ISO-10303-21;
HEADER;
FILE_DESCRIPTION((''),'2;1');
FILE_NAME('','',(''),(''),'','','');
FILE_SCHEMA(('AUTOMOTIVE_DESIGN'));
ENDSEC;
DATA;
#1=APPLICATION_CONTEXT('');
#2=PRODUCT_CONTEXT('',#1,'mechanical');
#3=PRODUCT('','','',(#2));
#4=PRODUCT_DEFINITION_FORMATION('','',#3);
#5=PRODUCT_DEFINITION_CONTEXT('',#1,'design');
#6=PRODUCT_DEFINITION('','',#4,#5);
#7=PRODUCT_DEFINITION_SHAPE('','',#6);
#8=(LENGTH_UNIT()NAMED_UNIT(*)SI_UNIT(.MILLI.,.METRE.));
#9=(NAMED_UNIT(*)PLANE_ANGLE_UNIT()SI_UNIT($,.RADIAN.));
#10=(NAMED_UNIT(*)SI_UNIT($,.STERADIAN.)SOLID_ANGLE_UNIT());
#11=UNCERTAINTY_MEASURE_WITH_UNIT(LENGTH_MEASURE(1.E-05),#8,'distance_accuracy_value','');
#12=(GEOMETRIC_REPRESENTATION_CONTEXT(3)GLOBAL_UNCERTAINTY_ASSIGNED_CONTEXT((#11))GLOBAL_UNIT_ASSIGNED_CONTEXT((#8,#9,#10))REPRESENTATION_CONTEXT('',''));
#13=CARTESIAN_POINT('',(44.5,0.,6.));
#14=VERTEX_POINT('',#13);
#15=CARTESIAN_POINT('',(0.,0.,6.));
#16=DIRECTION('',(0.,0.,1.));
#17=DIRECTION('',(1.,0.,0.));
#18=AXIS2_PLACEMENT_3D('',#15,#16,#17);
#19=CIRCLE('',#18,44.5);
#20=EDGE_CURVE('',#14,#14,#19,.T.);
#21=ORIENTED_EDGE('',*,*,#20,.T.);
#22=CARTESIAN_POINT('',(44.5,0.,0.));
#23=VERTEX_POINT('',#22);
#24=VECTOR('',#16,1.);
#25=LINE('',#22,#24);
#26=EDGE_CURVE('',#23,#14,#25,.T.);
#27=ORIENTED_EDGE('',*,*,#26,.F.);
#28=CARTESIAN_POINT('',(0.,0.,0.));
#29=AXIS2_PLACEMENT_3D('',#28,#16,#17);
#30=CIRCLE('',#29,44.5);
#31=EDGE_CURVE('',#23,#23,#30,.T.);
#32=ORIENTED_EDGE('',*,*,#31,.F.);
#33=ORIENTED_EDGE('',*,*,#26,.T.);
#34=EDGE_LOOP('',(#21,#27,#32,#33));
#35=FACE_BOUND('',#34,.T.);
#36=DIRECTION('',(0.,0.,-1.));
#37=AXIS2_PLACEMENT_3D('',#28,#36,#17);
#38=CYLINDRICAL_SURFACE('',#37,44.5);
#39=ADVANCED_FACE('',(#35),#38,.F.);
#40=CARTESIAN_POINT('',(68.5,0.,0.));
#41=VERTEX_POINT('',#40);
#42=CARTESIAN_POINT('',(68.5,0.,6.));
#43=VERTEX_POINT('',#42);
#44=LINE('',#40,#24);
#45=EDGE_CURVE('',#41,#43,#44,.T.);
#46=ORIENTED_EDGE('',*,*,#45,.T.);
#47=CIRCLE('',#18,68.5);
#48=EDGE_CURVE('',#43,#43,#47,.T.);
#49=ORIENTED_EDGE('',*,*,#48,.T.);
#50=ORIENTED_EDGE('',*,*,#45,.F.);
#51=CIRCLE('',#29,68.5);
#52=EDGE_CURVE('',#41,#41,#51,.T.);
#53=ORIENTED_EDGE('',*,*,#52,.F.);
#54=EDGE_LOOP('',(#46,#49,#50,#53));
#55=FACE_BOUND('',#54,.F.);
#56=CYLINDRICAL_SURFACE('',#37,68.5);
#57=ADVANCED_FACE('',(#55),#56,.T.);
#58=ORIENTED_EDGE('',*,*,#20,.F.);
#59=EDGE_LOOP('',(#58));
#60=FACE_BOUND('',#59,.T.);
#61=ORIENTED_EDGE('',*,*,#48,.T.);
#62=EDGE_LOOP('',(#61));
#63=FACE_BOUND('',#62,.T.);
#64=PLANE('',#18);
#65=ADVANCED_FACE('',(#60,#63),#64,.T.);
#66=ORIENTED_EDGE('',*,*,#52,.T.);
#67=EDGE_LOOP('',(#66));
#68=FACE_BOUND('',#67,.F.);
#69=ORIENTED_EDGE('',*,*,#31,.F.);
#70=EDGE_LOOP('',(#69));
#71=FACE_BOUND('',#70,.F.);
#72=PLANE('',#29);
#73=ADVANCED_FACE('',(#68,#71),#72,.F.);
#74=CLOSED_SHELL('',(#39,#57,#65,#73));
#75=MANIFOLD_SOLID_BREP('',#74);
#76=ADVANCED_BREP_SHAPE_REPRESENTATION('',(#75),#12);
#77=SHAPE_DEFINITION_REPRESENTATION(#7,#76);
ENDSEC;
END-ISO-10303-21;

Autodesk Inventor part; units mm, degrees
ref_plane "YZ Plane" through (0, 0, 0) normal (1, 0, 0) x (0, 1, 0)
ref_plane "XZ Plane" through (0, 0, 0) normal (0, 1, 0) x (-1, 0, 0)
ref_plane "XY Plane" through (0, 0, 0) normal (0, 0, 1) x (1, 0, 0)
sketch "Sketch2" plane through (0, 0, 0) normal (0, 0, 1) x (1, 0, 0)
  circle A0 centre (0, 0) radius 44.5
  circle A1 centre (0, 0) radius 68.5
  dimension "d25" = 89
  dimension "d29" = 24
extrude "Plate2" add sketch "Sketch2" along normal blind 6
equation "\"d14\" = Thickness"
equation "\"BendReliefWidth\" = Thickness"
equation "\"BendReliefDepth\" = 0.5 * Thickness"
equation "\"CornerReliefSize\" = 4 * Thickness"
equation "\"MinimumRemnant\" = 2 * Thickness"
equation "\"TransitionRadius\" = BendRadius"
equation "\"JacobiRadiusSize\" = BendRadius"
equation "\"GapSize\" = Thickness"
equation "\"Thickness\" = 6"
equation "\"BendRadius\" = 6"
properties part number "PRS 940-32 FDS free flange DN90" material "Steel"
